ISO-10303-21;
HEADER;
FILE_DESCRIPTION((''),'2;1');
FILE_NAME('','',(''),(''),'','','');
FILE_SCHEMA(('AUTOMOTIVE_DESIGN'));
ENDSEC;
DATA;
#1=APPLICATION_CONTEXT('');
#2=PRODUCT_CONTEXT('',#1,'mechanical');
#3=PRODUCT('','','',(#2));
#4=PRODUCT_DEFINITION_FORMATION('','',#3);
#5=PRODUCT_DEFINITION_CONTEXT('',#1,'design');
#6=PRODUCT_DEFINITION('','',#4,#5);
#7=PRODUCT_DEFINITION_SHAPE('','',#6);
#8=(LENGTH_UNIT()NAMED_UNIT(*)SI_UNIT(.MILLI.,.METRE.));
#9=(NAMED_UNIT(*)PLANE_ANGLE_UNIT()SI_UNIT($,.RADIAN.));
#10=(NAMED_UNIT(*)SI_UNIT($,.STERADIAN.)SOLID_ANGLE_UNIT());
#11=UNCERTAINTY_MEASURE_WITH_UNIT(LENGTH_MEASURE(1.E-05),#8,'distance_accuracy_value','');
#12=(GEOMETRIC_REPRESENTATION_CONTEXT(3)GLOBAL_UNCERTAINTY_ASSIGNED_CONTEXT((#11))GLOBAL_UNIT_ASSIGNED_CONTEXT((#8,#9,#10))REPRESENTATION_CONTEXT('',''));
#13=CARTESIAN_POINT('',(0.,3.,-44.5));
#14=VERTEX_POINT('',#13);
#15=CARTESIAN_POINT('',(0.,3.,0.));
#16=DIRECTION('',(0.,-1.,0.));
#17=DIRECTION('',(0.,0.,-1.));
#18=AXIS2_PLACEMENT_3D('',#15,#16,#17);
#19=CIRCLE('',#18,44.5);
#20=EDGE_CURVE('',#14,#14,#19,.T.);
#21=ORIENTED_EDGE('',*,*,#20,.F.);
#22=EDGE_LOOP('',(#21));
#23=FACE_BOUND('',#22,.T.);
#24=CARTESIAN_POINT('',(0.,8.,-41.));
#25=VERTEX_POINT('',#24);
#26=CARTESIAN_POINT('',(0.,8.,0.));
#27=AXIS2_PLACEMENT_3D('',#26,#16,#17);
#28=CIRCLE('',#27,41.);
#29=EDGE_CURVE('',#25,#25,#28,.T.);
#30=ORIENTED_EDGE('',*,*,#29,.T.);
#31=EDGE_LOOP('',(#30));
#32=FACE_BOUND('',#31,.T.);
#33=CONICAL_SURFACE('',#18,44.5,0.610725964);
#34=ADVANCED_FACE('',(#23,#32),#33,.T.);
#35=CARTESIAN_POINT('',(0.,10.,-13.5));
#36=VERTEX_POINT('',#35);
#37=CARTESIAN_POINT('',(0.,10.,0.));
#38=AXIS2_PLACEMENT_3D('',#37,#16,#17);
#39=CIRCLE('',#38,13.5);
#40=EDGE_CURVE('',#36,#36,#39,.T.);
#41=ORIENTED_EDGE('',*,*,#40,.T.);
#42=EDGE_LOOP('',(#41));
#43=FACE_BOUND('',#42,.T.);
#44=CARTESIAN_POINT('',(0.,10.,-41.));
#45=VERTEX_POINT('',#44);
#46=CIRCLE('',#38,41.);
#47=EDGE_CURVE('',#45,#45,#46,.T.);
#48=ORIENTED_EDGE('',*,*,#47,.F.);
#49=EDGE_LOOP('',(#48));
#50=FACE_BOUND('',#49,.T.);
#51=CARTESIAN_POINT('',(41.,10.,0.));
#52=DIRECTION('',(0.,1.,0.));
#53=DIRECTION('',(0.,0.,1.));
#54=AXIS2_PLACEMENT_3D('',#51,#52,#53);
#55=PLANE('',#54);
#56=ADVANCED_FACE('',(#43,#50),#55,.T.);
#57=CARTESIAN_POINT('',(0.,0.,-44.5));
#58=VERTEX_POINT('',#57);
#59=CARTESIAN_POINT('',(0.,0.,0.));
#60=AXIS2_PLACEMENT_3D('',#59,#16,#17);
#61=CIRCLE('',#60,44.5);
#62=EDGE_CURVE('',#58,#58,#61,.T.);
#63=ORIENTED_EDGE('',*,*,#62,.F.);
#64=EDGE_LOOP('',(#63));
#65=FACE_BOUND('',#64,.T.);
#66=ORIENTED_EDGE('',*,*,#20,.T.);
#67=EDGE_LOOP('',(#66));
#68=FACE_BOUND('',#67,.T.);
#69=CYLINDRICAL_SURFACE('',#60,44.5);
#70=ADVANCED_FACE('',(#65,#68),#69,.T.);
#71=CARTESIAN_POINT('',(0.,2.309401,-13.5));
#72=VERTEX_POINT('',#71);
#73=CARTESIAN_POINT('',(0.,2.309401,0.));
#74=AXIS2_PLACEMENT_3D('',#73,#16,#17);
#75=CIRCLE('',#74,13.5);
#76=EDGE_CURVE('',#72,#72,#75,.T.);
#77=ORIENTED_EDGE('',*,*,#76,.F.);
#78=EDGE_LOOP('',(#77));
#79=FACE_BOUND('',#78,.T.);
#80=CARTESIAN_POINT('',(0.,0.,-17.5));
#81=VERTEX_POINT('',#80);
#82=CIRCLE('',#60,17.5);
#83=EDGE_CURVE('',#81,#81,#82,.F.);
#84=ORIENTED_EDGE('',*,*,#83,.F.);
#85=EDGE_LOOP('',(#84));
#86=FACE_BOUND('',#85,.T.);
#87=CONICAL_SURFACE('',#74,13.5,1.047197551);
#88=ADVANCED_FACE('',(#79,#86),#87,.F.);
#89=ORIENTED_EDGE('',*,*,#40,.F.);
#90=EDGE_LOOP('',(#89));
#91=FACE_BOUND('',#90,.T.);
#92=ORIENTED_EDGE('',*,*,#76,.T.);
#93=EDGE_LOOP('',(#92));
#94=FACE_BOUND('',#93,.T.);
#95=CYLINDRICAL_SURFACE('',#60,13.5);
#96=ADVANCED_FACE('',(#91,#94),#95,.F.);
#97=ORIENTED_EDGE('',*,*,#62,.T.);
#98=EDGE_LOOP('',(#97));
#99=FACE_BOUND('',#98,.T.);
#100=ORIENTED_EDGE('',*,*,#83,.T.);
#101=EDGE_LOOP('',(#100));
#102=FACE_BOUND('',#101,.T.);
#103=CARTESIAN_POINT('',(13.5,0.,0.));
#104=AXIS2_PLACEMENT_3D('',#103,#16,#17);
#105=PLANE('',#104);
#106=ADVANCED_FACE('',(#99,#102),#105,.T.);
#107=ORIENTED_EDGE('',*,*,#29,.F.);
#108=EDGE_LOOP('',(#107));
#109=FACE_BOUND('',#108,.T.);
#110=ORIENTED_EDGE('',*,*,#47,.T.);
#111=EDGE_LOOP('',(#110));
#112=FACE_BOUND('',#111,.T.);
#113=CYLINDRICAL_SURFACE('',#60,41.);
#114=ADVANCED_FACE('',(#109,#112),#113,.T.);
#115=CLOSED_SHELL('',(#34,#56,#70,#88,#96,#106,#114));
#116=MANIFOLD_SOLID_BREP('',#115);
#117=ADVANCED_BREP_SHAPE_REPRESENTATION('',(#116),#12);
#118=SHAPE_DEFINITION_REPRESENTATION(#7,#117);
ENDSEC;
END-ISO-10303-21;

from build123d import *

# Parameters (mm, degrees)
CHAMFER_1_SIZE  = 4
CHAMFER_1_SIZE2 = 2.309401077


with BuildPart() as part:
    # Эскиз1 → Повернуть1 (revolve)
    with BuildSketch(Plane.XY, mode=Mode.PRIVATE) as revolve_1_sk:
        Polygon((13.5, 0), (44.5, 0), (44.5, 3), (41, 8), (41, 10), (13.5, 10), align=None)
    revolve(revolve_1_sk.sketch.rotate(Axis((0, 0, 0), (0, 1, 0)), 90), axis=Axis((0, 0, 0), (0, 1, 0)))

    # Фаска1
    chamfer_1_edges = [part.edges().sort_by_distance(p)[0] for p in [
        (0, 0, 13.5),
    ]]
    chamfer_1_side = [part.faces().sort_by_distance(p)[0] for p in [
        (0, 0, 14.758650071),
    ]]
    chamfer(chamfer_1_edges, length=CHAMFER_1_SIZE, length2=CHAMFER_1_SIZE2, reference=chamfer_1_side[0])


solid = part.part
